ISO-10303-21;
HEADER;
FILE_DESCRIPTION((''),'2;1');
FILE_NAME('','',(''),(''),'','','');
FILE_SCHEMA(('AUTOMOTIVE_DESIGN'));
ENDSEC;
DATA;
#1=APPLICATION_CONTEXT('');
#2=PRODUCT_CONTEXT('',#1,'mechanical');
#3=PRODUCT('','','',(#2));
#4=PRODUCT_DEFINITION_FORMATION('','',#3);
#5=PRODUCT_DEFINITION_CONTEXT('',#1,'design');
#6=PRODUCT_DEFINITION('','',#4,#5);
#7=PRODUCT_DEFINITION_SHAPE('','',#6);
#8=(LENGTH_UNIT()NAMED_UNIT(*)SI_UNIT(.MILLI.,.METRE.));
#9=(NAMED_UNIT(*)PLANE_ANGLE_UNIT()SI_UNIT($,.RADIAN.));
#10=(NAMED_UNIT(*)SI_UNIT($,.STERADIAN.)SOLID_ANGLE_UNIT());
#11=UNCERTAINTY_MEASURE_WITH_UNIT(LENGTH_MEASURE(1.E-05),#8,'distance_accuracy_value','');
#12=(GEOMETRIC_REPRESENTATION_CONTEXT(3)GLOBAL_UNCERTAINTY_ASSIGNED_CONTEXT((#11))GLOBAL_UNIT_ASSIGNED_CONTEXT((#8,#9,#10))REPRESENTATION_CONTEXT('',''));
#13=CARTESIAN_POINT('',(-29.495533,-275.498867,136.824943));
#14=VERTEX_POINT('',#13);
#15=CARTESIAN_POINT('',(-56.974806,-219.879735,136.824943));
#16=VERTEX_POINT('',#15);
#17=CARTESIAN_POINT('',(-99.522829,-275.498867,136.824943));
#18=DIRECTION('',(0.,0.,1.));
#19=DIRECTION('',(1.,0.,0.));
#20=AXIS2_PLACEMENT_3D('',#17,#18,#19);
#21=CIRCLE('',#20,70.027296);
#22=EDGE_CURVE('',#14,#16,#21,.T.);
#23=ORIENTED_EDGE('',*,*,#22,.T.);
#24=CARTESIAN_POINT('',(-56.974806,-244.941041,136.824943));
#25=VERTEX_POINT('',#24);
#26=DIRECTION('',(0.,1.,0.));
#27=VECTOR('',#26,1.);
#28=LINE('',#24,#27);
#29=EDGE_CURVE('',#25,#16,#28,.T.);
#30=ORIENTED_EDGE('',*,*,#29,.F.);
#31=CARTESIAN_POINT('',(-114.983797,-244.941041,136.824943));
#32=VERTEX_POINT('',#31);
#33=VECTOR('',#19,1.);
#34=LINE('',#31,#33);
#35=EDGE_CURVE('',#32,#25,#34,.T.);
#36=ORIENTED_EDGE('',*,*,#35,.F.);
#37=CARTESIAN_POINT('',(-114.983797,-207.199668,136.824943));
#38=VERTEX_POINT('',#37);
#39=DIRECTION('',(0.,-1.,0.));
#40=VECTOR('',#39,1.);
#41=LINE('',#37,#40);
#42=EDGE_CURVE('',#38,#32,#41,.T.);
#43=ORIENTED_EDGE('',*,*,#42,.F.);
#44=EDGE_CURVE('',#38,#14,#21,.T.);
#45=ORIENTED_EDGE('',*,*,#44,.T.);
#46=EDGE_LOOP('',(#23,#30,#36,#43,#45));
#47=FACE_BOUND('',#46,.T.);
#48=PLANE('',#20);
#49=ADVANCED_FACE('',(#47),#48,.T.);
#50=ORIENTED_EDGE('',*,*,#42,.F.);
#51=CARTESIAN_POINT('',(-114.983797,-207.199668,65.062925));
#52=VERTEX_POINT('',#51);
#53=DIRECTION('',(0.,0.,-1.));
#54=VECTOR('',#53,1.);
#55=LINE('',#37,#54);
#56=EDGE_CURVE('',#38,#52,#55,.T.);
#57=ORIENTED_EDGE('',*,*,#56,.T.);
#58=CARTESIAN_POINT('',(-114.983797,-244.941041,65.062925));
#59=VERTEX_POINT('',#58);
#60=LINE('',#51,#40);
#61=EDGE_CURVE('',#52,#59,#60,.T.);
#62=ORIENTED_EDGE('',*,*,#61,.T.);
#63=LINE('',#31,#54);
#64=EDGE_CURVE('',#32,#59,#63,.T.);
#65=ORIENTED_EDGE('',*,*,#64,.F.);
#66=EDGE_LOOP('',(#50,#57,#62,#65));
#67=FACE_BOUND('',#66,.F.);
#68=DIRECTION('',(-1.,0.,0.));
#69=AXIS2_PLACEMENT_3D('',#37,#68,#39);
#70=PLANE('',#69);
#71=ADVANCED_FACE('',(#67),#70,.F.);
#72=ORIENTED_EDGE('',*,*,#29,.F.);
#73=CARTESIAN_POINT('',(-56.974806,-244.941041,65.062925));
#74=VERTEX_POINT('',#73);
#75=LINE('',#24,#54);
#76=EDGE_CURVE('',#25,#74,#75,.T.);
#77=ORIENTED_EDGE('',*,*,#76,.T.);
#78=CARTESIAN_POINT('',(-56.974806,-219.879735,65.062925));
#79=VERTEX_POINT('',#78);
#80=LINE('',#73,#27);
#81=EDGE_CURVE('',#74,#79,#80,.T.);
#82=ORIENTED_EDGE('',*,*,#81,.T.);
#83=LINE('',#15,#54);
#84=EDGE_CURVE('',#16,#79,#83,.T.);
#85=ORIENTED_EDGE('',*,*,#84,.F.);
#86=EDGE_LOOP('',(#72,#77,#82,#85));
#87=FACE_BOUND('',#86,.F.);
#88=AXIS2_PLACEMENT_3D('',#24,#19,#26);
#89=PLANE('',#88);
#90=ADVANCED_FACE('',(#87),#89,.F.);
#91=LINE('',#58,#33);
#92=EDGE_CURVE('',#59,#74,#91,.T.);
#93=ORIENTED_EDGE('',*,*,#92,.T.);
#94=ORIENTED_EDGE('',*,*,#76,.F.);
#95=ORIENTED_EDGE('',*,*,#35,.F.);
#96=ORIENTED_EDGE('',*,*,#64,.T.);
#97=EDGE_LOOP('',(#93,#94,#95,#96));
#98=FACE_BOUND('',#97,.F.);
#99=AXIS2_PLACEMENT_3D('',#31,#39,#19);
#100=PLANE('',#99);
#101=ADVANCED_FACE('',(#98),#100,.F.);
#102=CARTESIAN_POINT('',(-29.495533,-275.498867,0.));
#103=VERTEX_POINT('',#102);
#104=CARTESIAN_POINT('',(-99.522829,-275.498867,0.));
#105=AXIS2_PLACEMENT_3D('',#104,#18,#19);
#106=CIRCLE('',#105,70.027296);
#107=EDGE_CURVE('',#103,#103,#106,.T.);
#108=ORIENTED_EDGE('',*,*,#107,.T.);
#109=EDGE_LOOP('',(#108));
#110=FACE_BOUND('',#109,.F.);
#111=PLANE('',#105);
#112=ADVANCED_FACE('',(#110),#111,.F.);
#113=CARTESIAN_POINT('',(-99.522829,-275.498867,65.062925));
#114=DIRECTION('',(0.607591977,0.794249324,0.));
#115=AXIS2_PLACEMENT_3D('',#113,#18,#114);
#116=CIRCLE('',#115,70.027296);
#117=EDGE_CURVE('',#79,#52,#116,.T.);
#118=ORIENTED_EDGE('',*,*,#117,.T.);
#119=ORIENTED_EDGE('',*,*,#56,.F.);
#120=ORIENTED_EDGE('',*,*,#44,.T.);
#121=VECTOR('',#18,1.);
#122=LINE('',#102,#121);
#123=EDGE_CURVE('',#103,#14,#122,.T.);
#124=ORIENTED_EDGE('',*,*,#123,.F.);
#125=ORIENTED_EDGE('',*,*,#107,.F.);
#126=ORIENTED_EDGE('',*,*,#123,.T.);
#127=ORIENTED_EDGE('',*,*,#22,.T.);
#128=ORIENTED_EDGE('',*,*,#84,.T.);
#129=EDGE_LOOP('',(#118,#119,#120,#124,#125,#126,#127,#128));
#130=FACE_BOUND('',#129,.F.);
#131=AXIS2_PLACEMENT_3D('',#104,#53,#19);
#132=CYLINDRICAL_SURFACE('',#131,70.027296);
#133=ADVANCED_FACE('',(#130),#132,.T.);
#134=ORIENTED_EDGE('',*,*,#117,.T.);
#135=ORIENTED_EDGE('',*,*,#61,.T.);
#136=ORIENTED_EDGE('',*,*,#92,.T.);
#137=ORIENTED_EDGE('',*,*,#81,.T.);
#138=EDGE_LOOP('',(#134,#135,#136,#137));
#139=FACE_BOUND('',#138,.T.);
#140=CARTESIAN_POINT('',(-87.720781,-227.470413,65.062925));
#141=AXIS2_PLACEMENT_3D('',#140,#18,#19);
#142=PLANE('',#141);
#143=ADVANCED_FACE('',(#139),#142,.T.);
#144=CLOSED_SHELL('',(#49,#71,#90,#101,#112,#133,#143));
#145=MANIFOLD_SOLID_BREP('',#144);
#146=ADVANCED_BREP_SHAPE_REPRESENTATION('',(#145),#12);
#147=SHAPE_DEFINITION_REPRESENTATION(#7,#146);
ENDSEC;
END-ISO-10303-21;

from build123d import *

# Parameters (mm, degrees)
F0_R     = 70.0272958954
F1_DEPTH = 136.8249431252
F3_DEPTH = 71.7620179057


with BuildPart() as f1:
    # F0 (on Top) → F1 (new body)
    with BuildSketch(Plane.XY):
        with Locations((-99.5228290558, -275.4988670349)):
            Circle(F0_R)
    extrude(amount=F1_DEPTH)

    # F2 (on face) → F3 (cut)
    with BuildSketch(Plane.XY.offset(136.8249431252)):
        with BuildLine():
            ThreePointArc((-56.9748058915, -219.8797345782), (-84.5687940305, -207.0868870396), (-114.9837970734, -207.1996676371))
            Line((-114.9837970734, -207.1996676371), (-114.9837970734, -244.9410408735))
            Line((-114.9837970734, -244.9410408735), (-56.9748058915, -244.9410408735))
            Line((-56.9748058915, -244.9410408735), (-56.9748058915, -219.8797345782))
        make_face()
    extrude(amount=-F3_DEPTH, mode=Mode.SUBTRACT)


solid = f1.part
